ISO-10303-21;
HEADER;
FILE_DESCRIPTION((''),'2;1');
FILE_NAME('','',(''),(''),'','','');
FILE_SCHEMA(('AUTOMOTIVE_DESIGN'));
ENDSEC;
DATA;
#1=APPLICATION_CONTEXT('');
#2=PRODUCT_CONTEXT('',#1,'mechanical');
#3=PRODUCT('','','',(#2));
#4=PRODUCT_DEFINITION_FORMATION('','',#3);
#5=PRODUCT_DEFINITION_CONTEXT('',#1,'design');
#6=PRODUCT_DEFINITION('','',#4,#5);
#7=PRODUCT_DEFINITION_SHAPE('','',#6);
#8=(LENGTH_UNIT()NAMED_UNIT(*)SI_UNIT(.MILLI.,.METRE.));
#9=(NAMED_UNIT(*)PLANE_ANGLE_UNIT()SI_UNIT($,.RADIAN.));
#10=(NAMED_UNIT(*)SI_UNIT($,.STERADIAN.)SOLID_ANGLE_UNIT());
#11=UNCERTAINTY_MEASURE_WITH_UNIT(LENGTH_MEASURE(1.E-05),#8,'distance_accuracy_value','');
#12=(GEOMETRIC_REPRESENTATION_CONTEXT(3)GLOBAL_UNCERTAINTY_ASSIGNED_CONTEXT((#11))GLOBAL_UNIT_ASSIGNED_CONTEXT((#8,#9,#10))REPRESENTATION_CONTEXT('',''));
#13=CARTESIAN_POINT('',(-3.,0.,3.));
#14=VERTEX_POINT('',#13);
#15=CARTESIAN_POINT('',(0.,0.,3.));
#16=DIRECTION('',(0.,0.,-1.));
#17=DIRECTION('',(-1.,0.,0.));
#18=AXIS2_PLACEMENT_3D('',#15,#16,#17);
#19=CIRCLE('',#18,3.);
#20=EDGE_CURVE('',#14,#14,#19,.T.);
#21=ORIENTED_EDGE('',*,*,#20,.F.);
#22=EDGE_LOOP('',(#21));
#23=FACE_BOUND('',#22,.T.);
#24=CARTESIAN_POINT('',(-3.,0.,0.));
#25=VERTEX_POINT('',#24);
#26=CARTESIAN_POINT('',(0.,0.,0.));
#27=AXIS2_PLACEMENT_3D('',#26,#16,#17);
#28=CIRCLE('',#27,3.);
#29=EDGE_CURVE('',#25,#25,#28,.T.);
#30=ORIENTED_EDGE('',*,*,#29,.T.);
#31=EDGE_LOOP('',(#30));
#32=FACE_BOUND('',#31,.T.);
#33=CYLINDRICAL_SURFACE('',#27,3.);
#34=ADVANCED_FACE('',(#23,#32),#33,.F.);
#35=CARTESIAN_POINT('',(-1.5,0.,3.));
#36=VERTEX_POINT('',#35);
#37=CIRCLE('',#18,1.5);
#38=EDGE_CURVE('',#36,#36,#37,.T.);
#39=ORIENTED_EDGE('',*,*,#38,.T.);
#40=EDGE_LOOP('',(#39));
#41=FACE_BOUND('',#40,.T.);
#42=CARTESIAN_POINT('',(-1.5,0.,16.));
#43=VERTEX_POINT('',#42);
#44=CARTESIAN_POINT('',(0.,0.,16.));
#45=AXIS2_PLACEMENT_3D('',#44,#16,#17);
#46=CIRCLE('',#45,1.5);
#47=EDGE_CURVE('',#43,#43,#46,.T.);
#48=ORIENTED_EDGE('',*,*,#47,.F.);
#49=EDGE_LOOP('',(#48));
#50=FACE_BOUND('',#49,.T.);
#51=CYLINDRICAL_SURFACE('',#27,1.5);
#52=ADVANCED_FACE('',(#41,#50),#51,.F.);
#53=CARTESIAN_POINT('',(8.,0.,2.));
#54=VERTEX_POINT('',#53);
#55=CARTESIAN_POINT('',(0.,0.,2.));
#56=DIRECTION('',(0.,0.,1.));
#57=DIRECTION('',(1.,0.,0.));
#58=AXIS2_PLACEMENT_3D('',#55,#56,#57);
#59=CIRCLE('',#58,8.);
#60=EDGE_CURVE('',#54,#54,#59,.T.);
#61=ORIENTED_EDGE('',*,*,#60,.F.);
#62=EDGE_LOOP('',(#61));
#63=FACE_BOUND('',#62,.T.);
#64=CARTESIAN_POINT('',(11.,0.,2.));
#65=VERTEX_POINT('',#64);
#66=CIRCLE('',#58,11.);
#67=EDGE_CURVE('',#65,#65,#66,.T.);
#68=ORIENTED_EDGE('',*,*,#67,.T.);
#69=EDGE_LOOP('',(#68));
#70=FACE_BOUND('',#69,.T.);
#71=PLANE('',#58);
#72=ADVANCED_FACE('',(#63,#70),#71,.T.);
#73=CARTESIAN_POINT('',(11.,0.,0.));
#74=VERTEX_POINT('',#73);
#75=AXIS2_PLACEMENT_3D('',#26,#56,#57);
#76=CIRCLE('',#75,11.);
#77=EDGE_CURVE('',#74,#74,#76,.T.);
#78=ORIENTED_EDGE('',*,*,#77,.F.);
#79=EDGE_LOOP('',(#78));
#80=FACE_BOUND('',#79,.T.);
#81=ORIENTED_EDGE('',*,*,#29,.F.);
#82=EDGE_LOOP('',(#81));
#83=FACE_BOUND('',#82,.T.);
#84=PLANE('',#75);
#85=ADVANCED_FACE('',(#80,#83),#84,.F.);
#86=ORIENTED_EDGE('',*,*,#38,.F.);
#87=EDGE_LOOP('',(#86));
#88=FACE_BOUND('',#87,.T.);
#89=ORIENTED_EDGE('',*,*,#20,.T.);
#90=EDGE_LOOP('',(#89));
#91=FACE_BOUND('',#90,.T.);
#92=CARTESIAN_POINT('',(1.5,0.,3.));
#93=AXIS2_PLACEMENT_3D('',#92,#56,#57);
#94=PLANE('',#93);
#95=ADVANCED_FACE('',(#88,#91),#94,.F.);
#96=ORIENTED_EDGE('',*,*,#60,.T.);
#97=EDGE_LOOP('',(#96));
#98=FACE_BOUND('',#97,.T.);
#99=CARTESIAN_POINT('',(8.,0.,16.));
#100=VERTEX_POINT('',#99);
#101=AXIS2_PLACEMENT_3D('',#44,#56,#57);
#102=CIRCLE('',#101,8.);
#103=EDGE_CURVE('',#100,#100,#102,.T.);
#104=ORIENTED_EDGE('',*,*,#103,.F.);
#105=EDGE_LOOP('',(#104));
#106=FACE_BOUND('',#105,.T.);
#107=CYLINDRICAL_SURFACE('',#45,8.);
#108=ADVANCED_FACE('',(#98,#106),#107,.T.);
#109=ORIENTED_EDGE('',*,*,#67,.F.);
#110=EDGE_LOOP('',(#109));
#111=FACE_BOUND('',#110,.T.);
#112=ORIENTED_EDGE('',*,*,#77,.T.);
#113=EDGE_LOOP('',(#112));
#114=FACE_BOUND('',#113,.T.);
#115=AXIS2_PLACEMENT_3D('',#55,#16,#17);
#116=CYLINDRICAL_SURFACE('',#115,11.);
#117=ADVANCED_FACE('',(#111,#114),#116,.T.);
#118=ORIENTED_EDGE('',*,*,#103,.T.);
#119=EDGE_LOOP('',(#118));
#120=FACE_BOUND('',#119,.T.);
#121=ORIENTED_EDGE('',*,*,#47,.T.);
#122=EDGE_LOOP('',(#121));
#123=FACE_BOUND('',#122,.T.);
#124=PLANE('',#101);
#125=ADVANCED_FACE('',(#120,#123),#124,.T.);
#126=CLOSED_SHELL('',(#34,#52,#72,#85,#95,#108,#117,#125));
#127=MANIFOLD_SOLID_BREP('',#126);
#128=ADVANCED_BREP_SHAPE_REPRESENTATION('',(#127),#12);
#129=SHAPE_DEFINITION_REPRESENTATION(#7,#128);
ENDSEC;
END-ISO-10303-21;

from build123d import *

# Parameters (mm, degrees)
SKETCH1_R                               = 11
BOSS_EXTRUDE1_DEPTH                     = 2
SKETCH2_R                               = 8
BOSS_EXTRUDE2_DEPTH                     = 14
CBORE_FOR_M5_HEX_HEAD_BOLT1_D           = 3
CBORE_FOR_M5_HEX_HEAD_BOLT1_CBORE_D     = 6
CBORE_FOR_M5_HEX_HEAD_BOLT1_CBORE_DEPTH = 3


with BuildPart() as part:
    # Sketch1 → Boss-Extrude1 (new body)
    with BuildSketch(Plane.XY):
        Circle(SKETCH1_R)
    extrude(amount=BOSS_EXTRUDE1_DEPTH)

    # Sketch2 → Boss-Extrude2 (add)
    with BuildSketch(Plane.XY.offset(2)):
        Circle(SKETCH2_R)
    extrude(amount=BOSS_EXTRUDE2_DEPTH)

    # CBORE for M5 Hex Head Bolt1 (through all)
    with Locations(Plane(origin=(0, 0, 0), x_dir=(-1, 0, 0), z_dir=(0, 0, -1))):
        with Locations((0, 0)):
            CounterBoreHole(CBORE_FOR_M5_HEX_HEAD_BOLT1_D / 2, CBORE_FOR_M5_HEX_HEAD_BOLT1_CBORE_D / 2, CBORE_FOR_M5_HEX_HEAD_BOLT1_CBORE_DEPTH)


solid = part.part
